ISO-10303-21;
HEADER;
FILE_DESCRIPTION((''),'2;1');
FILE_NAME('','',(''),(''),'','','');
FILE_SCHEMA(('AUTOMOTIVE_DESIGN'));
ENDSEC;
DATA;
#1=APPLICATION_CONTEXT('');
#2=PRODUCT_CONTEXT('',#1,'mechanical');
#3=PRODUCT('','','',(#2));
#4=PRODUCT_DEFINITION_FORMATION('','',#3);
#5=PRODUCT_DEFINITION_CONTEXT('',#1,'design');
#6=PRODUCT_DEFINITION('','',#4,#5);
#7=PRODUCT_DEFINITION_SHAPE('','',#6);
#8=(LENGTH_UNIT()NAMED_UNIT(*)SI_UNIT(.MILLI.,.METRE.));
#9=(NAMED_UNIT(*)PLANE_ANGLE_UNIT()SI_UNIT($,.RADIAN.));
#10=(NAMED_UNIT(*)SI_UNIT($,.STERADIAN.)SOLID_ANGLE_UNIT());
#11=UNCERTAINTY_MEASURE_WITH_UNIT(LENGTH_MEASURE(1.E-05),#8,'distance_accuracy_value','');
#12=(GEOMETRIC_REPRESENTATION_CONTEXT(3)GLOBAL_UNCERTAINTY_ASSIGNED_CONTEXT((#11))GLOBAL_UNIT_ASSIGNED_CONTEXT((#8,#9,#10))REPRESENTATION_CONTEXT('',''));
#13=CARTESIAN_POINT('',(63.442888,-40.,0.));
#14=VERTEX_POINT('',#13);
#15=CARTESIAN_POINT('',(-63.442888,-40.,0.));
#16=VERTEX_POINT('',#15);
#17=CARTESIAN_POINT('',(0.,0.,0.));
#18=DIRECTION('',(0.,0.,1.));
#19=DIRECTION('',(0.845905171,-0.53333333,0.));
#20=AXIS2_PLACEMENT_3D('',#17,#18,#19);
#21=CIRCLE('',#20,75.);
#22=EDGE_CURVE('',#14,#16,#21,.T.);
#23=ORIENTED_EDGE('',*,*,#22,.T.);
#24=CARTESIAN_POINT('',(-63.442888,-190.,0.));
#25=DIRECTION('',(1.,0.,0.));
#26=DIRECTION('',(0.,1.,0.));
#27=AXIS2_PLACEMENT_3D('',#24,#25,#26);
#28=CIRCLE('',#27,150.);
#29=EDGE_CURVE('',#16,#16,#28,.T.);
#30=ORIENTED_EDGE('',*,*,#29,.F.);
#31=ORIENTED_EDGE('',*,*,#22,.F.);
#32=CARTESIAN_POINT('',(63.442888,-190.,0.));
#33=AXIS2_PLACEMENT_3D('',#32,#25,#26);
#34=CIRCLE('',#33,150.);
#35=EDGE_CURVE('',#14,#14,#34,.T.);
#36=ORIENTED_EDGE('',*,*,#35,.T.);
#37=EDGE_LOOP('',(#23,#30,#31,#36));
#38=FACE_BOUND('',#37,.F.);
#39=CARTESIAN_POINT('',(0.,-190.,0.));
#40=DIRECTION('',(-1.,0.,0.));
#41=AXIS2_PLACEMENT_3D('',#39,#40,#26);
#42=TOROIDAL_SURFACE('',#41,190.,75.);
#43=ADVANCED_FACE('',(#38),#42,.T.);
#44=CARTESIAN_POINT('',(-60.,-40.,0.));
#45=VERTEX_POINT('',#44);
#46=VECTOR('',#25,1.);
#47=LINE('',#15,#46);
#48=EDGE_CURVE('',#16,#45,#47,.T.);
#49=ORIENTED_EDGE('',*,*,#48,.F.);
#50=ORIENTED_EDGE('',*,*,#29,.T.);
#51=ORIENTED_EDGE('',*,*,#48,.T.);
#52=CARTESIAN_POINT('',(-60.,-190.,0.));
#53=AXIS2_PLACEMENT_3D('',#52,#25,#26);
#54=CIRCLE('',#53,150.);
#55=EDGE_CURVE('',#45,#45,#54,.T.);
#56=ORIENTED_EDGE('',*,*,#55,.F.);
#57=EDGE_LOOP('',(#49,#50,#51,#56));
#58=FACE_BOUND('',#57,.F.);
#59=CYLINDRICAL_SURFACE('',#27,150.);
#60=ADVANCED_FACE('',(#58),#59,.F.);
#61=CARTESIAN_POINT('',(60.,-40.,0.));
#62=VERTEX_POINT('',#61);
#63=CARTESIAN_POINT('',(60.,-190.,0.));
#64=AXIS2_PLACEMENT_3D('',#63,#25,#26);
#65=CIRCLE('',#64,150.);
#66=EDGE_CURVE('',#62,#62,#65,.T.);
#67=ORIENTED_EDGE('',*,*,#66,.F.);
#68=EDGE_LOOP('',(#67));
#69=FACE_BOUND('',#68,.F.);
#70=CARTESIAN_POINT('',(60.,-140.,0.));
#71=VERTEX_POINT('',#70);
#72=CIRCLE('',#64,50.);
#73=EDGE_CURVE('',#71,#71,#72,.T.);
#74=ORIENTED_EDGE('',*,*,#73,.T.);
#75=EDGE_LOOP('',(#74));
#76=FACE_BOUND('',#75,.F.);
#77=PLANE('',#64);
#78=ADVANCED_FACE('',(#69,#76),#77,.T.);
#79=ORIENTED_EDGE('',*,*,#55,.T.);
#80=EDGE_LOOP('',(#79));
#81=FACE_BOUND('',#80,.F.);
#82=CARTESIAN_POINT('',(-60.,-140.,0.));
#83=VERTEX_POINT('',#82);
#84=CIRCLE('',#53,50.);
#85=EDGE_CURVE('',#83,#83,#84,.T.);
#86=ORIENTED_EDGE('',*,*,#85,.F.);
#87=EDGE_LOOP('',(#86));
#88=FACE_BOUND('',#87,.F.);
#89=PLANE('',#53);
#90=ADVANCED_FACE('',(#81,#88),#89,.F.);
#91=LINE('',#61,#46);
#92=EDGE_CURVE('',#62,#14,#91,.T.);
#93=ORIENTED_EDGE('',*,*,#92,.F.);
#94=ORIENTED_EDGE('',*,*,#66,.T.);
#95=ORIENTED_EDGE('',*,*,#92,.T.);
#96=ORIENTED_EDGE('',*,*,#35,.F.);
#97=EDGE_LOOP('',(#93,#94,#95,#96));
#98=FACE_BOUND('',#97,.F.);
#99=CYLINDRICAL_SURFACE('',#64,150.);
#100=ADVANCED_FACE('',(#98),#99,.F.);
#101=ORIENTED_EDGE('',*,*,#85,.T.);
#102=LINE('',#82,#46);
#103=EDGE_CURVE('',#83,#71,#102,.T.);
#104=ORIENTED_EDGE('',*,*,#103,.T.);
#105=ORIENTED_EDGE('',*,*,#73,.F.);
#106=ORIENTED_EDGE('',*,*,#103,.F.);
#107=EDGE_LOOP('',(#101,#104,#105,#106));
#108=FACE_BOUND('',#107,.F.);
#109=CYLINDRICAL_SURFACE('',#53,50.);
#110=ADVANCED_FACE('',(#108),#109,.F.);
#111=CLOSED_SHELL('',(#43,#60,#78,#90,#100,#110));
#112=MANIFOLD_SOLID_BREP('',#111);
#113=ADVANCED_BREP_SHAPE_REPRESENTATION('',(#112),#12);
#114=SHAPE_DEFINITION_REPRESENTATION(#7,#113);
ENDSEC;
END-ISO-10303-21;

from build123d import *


with BuildPart() as f1:
    # F0 (on Top) → F1 (revolve)
    with BuildSketch(Plane.XY):
        with BuildLine():
            Line((60, -40), (63.442888, -40))
            ThreePointArc((63.442888, -40), (0, 75), (-63.442888, -40))
            Line((-63.442888, -40), (-60, -40))
            Line((-60, -40), (-60, -140))
            Line((-60, -140), (0, -140))
            Line((0, -140), (60, -140))
            Line((60, -140), (60, -40))
        make_face()
    revolve(axis=Axis((7.790029, -190, 0), (1, 0, 0)))


solid = f1.part
